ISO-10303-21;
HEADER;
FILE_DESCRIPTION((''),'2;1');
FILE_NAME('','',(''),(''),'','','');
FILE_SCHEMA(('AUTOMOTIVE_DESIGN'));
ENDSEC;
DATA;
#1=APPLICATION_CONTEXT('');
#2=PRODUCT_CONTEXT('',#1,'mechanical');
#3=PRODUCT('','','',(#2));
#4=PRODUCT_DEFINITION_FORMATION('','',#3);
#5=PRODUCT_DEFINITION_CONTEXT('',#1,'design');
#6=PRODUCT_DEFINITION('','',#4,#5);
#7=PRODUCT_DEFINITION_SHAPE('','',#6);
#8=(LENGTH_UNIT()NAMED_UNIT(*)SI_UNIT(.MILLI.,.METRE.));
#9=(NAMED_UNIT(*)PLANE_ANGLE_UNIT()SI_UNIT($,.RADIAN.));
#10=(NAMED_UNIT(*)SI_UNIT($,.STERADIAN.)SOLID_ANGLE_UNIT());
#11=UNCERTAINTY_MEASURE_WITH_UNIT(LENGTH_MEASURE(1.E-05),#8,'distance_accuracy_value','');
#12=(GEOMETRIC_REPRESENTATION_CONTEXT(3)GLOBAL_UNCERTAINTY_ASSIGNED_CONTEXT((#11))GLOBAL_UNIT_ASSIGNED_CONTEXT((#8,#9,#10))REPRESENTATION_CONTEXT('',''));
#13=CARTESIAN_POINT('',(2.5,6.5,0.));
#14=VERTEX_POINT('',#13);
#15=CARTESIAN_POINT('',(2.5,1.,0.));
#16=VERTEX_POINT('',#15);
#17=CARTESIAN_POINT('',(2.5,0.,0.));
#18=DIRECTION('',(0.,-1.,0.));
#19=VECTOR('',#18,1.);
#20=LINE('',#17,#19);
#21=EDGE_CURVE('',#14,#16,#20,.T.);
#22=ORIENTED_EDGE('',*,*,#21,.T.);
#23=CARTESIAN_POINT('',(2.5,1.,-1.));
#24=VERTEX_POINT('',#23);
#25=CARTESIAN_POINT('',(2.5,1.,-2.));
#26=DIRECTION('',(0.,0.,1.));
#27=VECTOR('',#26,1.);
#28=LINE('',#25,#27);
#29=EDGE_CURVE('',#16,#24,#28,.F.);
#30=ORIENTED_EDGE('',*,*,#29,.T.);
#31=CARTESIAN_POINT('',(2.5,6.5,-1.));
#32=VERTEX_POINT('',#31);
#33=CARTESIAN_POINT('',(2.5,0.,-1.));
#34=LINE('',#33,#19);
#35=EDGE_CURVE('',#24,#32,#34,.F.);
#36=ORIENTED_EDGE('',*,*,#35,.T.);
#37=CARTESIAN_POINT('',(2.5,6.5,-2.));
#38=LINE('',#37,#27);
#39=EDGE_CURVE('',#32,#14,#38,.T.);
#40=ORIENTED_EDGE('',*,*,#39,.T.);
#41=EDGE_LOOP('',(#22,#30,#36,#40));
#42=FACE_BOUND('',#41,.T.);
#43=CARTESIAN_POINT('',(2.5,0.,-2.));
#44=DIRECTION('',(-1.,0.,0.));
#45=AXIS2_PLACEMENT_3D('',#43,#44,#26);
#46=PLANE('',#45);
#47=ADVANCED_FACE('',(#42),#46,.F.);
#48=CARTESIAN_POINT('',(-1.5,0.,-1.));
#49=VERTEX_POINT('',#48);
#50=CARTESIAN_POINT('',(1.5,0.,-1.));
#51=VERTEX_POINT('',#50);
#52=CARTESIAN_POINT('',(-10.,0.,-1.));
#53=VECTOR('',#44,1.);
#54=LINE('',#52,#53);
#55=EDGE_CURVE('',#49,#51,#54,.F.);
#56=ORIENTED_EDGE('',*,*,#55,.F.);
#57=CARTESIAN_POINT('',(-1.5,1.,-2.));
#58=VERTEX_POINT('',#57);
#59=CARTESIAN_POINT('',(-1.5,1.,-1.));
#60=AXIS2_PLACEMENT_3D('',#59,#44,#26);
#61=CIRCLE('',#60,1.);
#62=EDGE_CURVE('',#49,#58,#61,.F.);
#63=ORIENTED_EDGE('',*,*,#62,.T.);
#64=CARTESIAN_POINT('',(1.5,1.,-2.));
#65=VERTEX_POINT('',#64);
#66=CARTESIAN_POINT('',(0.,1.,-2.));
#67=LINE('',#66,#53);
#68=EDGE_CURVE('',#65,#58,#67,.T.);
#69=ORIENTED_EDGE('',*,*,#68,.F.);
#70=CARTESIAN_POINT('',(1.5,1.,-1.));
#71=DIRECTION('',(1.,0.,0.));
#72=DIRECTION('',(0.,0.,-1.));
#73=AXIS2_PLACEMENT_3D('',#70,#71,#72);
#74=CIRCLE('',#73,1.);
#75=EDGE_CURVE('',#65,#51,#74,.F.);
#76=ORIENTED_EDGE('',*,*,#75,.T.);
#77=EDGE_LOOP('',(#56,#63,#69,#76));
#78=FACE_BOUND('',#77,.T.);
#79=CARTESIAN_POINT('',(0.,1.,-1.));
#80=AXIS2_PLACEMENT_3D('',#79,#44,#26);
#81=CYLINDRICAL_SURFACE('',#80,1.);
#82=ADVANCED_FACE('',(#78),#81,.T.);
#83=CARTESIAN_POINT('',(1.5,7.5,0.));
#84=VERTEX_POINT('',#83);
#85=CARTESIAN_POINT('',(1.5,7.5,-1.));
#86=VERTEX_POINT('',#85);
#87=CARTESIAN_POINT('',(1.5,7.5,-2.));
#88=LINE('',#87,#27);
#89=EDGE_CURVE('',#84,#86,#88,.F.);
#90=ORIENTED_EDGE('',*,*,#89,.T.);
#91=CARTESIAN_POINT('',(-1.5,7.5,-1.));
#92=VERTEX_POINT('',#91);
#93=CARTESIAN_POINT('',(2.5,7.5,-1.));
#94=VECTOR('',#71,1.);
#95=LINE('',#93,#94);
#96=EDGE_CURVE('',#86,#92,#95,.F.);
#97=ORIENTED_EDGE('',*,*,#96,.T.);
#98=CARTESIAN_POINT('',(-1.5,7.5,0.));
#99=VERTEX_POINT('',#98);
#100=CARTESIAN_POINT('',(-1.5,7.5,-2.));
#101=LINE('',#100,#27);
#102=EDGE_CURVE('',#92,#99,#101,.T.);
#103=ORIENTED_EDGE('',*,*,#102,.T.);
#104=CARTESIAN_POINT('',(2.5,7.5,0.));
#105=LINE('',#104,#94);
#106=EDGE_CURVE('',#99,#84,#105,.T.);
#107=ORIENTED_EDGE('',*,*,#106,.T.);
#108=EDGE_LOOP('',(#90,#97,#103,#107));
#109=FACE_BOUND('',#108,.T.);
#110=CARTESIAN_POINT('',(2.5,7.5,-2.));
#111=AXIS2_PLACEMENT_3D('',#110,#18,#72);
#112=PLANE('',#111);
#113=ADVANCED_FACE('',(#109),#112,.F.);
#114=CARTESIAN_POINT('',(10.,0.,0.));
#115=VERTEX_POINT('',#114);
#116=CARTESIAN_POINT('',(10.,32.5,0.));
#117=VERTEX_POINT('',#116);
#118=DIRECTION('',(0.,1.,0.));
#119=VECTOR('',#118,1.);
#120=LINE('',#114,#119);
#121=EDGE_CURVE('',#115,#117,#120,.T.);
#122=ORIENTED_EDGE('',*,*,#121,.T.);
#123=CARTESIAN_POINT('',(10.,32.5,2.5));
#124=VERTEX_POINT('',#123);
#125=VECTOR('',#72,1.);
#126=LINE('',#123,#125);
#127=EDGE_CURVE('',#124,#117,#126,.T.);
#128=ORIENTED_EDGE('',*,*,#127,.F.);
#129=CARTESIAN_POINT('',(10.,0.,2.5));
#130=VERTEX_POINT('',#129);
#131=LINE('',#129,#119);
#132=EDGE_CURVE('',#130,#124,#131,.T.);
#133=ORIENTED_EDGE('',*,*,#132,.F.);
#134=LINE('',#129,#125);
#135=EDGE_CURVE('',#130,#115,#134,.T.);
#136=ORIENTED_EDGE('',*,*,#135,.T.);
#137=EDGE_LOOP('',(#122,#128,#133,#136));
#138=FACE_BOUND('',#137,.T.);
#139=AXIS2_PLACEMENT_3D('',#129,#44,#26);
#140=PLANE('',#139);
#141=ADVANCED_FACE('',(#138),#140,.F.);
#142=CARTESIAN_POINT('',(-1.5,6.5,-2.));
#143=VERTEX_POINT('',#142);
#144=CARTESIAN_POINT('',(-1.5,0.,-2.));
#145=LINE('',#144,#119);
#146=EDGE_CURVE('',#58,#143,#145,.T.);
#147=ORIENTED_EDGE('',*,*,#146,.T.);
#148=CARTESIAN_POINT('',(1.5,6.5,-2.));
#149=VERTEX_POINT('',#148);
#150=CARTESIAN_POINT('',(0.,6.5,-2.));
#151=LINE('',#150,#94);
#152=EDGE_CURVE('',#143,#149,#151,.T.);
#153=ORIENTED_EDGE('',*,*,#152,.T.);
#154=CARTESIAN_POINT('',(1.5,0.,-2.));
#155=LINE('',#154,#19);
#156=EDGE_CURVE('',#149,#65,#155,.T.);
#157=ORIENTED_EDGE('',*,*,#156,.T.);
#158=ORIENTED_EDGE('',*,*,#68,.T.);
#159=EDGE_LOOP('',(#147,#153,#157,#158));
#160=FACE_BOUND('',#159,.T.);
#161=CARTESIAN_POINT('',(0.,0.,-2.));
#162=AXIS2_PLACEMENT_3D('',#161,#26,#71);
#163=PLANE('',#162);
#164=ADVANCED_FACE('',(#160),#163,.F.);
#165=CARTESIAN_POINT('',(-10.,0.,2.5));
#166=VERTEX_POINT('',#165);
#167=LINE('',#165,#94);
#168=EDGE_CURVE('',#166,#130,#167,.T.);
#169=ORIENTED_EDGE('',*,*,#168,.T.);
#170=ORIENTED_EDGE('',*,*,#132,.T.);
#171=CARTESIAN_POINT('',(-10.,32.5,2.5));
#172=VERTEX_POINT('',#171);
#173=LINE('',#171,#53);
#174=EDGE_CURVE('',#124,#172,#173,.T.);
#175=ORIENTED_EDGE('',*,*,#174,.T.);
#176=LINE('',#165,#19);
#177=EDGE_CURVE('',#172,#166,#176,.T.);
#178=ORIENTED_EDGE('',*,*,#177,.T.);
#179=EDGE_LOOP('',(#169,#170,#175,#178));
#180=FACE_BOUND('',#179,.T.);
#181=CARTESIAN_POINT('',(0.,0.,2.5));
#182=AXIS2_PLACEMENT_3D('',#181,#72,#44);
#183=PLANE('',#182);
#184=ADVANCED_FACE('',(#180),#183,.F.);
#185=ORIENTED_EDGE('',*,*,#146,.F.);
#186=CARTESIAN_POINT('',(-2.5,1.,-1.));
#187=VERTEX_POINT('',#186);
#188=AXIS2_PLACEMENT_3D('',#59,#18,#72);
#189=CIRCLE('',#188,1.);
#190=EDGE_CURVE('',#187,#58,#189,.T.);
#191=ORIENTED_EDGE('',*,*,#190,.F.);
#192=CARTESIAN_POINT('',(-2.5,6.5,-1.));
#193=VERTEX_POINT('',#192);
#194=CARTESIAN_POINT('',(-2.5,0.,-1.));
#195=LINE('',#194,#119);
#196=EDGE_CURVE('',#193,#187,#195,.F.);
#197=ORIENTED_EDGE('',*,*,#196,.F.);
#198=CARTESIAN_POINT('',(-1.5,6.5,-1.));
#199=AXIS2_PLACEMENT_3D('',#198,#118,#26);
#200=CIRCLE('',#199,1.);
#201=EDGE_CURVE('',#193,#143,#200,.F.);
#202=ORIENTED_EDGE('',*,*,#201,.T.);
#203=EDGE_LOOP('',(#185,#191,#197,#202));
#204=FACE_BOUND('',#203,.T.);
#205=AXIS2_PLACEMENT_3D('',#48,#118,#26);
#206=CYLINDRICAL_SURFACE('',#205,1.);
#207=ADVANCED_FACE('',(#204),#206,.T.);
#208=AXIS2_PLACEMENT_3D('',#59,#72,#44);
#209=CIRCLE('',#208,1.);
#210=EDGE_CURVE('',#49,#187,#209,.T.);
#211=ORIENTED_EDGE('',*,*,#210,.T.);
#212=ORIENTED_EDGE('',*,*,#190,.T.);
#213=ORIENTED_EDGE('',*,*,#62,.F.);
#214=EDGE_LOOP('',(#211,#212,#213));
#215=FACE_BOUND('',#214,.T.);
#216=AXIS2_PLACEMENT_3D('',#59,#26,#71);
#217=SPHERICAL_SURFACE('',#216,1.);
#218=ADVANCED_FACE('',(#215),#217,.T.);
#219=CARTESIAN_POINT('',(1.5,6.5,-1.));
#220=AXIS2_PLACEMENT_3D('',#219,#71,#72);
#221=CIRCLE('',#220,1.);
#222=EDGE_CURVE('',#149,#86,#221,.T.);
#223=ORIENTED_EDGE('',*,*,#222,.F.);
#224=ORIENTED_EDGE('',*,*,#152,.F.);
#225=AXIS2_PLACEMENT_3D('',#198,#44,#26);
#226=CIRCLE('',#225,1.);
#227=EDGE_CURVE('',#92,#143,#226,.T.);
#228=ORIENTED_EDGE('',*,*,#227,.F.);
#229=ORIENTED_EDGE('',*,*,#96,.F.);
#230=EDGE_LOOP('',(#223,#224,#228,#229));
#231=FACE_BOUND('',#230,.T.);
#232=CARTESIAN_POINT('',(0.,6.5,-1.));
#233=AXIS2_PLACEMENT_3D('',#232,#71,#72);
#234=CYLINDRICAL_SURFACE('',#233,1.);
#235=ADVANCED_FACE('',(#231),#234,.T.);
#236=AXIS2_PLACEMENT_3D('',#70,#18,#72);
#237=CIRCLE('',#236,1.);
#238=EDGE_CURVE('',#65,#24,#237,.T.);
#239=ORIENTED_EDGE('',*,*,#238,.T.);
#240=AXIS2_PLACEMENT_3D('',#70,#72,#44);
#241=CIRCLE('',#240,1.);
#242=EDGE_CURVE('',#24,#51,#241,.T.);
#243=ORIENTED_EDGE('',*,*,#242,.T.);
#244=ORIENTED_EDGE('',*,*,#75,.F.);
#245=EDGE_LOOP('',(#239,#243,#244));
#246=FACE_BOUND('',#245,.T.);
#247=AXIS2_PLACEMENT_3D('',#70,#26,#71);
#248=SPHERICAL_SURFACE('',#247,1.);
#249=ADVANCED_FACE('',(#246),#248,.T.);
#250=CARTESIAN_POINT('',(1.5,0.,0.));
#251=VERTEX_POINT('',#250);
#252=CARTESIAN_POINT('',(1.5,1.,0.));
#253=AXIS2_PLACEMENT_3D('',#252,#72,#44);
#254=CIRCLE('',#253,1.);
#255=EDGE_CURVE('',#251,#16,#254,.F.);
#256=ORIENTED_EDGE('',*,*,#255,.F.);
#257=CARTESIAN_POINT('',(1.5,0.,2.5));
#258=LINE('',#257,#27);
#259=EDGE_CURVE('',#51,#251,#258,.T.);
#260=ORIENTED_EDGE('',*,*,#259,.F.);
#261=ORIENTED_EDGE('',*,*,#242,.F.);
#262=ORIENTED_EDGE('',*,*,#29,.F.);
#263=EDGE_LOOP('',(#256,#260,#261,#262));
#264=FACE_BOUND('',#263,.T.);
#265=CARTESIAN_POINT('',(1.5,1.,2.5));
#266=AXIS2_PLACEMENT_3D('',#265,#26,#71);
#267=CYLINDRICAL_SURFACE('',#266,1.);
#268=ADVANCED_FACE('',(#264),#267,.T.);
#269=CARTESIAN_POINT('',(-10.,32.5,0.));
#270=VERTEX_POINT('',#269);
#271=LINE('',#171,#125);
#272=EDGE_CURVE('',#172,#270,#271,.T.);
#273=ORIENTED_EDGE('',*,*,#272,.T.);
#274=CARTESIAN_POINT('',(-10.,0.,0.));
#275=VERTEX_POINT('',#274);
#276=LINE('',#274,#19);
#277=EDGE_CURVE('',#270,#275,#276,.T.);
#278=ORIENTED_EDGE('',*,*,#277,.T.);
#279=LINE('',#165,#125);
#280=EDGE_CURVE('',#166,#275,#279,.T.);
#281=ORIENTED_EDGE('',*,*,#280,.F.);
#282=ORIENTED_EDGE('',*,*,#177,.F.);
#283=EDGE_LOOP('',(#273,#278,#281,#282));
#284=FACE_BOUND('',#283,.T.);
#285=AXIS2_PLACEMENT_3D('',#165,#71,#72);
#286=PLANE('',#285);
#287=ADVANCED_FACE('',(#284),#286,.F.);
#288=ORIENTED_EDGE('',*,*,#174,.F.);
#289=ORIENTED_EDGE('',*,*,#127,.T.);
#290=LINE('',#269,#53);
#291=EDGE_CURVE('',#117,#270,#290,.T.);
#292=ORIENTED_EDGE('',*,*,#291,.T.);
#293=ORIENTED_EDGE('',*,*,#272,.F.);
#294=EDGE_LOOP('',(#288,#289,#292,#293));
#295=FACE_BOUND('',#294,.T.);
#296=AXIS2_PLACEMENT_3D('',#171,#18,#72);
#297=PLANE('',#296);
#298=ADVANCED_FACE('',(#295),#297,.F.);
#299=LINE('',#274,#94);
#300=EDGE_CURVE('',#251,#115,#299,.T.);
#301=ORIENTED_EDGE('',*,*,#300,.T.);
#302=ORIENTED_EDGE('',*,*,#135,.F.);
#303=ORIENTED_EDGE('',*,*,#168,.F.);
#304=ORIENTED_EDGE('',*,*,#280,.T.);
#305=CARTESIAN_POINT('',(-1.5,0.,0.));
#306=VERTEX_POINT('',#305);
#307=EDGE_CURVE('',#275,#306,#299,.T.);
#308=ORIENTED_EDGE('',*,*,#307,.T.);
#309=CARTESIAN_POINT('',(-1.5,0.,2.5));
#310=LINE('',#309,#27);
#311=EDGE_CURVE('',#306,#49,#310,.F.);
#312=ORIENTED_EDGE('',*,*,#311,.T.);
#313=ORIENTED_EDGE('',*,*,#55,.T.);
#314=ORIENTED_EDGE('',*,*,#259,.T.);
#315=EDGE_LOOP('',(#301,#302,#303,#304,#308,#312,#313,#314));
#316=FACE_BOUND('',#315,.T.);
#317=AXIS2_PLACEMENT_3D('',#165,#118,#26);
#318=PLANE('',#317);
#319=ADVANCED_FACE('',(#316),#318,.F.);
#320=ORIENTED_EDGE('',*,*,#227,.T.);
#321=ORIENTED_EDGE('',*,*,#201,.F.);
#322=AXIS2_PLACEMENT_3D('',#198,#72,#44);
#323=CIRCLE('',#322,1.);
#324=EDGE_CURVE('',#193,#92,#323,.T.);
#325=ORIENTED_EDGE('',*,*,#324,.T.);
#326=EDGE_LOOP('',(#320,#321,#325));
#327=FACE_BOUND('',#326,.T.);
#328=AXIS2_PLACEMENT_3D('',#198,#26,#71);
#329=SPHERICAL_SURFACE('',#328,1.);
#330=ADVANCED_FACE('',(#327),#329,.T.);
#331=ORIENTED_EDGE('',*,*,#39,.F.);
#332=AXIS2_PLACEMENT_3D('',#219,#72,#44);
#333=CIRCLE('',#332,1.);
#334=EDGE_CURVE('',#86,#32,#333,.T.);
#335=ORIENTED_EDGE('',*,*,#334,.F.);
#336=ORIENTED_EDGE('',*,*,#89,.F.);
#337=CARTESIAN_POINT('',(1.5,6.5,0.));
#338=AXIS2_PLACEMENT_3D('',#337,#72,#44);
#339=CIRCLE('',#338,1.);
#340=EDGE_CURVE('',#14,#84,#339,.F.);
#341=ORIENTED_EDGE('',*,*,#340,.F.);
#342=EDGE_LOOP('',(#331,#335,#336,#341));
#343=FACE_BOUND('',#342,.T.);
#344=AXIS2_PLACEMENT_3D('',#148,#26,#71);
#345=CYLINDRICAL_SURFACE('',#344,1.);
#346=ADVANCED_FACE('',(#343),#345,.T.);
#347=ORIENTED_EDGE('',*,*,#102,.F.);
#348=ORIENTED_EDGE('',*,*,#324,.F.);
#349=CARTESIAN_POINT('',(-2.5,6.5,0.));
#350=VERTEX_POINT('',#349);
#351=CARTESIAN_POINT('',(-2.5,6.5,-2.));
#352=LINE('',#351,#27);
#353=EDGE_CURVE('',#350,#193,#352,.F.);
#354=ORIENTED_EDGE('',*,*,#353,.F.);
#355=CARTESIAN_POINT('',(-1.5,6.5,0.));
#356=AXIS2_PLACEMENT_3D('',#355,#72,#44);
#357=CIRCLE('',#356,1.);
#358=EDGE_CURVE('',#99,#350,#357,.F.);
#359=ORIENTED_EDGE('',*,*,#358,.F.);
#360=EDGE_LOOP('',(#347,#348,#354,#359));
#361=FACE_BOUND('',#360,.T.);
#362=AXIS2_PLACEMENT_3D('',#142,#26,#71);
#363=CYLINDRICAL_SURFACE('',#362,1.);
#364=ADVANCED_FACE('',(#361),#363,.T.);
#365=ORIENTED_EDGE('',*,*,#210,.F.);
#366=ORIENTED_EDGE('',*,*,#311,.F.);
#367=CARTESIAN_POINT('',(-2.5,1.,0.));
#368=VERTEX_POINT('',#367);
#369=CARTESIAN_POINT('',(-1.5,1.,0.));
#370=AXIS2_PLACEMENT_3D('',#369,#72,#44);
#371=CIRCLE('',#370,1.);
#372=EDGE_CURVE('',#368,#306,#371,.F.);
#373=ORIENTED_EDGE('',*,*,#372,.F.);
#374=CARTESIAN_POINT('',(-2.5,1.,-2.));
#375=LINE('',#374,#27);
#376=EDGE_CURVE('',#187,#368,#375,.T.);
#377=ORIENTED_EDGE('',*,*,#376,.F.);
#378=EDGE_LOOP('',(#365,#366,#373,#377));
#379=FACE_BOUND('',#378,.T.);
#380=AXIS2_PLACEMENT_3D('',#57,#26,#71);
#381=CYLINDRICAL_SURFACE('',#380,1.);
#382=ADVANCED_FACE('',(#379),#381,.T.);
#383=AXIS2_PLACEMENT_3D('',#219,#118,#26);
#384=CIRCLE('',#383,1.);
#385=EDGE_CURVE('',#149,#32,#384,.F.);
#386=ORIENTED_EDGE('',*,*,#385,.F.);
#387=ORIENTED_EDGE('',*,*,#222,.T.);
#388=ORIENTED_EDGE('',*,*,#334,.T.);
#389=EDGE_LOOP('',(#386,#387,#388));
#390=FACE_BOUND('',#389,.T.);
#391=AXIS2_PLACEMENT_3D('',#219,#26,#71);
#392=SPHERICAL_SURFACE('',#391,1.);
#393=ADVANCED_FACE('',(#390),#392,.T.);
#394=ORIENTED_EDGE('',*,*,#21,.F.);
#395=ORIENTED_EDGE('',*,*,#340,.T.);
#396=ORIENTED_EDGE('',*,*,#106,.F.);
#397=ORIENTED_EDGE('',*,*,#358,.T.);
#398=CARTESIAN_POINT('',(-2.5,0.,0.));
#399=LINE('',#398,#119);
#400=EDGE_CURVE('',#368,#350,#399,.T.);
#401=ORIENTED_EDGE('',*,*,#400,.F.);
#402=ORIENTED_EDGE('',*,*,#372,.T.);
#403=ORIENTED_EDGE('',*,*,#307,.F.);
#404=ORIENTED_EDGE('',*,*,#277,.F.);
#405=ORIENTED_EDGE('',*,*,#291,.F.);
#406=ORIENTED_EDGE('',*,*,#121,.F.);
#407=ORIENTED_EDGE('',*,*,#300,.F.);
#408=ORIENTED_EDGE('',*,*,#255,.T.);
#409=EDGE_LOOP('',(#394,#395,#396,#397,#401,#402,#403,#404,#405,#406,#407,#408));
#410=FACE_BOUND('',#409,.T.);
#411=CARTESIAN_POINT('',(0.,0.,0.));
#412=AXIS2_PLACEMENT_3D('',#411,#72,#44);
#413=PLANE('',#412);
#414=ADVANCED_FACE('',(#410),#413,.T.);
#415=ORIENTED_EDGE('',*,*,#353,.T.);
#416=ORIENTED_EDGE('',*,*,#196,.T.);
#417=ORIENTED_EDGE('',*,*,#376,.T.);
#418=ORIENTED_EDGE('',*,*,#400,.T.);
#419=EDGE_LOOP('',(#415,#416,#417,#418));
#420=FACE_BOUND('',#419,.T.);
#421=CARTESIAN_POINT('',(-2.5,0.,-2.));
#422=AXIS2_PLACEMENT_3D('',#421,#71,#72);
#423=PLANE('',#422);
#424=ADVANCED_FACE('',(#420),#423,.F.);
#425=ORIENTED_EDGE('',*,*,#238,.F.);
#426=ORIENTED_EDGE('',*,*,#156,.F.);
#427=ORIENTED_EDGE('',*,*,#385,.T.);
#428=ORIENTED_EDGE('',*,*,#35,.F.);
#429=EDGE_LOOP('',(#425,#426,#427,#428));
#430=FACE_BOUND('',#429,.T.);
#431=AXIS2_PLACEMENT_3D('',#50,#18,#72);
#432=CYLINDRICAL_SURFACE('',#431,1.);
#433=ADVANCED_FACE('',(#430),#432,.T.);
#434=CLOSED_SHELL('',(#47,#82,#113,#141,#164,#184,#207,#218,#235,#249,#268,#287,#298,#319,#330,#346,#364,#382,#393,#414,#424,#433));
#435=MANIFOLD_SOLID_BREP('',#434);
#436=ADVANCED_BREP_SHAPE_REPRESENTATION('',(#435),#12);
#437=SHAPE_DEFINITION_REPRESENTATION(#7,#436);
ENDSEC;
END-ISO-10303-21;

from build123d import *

# Parameters (mm, degrees)
SKETCH1_W           = 20
SKETCH1_H           = 32.5
BOSS_EXTRUDE1_DEPTH = 2.5
SKETCH2_W           = 5
SKETCH2_H           = 7.5
BOSS_EXTRUDE2_DEPTH = 2
FILLET1_R           = 1


with BuildPart() as part:
    # Sketch1 → Boss-Extrude1 (new body)
    with BuildSketch(Plane.XY):
        with Locations((0, 16.25)):
            Rectangle(SKETCH1_W, SKETCH1_H)
    extrude(amount=BOSS_EXTRUDE1_DEPTH)

    # Sketch2 → Boss-Extrude2 (add)
    with BuildSketch(Plane(origin=(0, 0, 0), x_dir=(-1, 0, 0), z_dir=(0, 0, -1))):
        with Locations((0, 3.75)):
            Rectangle(SKETCH2_W, SKETCH2_H)
    extrude(amount=BOSS_EXTRUDE2_DEPTH)

    # Fillet1
    fillet1_edges = [part.edges().sort_by_distance(p)[0] for p in [
        (2.5, 7.5, -1),
        (2.5, 0, -1),
        (-2.5, 0, -1),
        (-2.5, 7.5, -1),
        (2.5, 3.75, -2),
        (0, 0, -2),
        (-2.5, 3.75, -2),
        (0, 7.5, -2),
    ]]
    fillet(fillet1_edges, radius=FILLET1_R)


solid = part.part
